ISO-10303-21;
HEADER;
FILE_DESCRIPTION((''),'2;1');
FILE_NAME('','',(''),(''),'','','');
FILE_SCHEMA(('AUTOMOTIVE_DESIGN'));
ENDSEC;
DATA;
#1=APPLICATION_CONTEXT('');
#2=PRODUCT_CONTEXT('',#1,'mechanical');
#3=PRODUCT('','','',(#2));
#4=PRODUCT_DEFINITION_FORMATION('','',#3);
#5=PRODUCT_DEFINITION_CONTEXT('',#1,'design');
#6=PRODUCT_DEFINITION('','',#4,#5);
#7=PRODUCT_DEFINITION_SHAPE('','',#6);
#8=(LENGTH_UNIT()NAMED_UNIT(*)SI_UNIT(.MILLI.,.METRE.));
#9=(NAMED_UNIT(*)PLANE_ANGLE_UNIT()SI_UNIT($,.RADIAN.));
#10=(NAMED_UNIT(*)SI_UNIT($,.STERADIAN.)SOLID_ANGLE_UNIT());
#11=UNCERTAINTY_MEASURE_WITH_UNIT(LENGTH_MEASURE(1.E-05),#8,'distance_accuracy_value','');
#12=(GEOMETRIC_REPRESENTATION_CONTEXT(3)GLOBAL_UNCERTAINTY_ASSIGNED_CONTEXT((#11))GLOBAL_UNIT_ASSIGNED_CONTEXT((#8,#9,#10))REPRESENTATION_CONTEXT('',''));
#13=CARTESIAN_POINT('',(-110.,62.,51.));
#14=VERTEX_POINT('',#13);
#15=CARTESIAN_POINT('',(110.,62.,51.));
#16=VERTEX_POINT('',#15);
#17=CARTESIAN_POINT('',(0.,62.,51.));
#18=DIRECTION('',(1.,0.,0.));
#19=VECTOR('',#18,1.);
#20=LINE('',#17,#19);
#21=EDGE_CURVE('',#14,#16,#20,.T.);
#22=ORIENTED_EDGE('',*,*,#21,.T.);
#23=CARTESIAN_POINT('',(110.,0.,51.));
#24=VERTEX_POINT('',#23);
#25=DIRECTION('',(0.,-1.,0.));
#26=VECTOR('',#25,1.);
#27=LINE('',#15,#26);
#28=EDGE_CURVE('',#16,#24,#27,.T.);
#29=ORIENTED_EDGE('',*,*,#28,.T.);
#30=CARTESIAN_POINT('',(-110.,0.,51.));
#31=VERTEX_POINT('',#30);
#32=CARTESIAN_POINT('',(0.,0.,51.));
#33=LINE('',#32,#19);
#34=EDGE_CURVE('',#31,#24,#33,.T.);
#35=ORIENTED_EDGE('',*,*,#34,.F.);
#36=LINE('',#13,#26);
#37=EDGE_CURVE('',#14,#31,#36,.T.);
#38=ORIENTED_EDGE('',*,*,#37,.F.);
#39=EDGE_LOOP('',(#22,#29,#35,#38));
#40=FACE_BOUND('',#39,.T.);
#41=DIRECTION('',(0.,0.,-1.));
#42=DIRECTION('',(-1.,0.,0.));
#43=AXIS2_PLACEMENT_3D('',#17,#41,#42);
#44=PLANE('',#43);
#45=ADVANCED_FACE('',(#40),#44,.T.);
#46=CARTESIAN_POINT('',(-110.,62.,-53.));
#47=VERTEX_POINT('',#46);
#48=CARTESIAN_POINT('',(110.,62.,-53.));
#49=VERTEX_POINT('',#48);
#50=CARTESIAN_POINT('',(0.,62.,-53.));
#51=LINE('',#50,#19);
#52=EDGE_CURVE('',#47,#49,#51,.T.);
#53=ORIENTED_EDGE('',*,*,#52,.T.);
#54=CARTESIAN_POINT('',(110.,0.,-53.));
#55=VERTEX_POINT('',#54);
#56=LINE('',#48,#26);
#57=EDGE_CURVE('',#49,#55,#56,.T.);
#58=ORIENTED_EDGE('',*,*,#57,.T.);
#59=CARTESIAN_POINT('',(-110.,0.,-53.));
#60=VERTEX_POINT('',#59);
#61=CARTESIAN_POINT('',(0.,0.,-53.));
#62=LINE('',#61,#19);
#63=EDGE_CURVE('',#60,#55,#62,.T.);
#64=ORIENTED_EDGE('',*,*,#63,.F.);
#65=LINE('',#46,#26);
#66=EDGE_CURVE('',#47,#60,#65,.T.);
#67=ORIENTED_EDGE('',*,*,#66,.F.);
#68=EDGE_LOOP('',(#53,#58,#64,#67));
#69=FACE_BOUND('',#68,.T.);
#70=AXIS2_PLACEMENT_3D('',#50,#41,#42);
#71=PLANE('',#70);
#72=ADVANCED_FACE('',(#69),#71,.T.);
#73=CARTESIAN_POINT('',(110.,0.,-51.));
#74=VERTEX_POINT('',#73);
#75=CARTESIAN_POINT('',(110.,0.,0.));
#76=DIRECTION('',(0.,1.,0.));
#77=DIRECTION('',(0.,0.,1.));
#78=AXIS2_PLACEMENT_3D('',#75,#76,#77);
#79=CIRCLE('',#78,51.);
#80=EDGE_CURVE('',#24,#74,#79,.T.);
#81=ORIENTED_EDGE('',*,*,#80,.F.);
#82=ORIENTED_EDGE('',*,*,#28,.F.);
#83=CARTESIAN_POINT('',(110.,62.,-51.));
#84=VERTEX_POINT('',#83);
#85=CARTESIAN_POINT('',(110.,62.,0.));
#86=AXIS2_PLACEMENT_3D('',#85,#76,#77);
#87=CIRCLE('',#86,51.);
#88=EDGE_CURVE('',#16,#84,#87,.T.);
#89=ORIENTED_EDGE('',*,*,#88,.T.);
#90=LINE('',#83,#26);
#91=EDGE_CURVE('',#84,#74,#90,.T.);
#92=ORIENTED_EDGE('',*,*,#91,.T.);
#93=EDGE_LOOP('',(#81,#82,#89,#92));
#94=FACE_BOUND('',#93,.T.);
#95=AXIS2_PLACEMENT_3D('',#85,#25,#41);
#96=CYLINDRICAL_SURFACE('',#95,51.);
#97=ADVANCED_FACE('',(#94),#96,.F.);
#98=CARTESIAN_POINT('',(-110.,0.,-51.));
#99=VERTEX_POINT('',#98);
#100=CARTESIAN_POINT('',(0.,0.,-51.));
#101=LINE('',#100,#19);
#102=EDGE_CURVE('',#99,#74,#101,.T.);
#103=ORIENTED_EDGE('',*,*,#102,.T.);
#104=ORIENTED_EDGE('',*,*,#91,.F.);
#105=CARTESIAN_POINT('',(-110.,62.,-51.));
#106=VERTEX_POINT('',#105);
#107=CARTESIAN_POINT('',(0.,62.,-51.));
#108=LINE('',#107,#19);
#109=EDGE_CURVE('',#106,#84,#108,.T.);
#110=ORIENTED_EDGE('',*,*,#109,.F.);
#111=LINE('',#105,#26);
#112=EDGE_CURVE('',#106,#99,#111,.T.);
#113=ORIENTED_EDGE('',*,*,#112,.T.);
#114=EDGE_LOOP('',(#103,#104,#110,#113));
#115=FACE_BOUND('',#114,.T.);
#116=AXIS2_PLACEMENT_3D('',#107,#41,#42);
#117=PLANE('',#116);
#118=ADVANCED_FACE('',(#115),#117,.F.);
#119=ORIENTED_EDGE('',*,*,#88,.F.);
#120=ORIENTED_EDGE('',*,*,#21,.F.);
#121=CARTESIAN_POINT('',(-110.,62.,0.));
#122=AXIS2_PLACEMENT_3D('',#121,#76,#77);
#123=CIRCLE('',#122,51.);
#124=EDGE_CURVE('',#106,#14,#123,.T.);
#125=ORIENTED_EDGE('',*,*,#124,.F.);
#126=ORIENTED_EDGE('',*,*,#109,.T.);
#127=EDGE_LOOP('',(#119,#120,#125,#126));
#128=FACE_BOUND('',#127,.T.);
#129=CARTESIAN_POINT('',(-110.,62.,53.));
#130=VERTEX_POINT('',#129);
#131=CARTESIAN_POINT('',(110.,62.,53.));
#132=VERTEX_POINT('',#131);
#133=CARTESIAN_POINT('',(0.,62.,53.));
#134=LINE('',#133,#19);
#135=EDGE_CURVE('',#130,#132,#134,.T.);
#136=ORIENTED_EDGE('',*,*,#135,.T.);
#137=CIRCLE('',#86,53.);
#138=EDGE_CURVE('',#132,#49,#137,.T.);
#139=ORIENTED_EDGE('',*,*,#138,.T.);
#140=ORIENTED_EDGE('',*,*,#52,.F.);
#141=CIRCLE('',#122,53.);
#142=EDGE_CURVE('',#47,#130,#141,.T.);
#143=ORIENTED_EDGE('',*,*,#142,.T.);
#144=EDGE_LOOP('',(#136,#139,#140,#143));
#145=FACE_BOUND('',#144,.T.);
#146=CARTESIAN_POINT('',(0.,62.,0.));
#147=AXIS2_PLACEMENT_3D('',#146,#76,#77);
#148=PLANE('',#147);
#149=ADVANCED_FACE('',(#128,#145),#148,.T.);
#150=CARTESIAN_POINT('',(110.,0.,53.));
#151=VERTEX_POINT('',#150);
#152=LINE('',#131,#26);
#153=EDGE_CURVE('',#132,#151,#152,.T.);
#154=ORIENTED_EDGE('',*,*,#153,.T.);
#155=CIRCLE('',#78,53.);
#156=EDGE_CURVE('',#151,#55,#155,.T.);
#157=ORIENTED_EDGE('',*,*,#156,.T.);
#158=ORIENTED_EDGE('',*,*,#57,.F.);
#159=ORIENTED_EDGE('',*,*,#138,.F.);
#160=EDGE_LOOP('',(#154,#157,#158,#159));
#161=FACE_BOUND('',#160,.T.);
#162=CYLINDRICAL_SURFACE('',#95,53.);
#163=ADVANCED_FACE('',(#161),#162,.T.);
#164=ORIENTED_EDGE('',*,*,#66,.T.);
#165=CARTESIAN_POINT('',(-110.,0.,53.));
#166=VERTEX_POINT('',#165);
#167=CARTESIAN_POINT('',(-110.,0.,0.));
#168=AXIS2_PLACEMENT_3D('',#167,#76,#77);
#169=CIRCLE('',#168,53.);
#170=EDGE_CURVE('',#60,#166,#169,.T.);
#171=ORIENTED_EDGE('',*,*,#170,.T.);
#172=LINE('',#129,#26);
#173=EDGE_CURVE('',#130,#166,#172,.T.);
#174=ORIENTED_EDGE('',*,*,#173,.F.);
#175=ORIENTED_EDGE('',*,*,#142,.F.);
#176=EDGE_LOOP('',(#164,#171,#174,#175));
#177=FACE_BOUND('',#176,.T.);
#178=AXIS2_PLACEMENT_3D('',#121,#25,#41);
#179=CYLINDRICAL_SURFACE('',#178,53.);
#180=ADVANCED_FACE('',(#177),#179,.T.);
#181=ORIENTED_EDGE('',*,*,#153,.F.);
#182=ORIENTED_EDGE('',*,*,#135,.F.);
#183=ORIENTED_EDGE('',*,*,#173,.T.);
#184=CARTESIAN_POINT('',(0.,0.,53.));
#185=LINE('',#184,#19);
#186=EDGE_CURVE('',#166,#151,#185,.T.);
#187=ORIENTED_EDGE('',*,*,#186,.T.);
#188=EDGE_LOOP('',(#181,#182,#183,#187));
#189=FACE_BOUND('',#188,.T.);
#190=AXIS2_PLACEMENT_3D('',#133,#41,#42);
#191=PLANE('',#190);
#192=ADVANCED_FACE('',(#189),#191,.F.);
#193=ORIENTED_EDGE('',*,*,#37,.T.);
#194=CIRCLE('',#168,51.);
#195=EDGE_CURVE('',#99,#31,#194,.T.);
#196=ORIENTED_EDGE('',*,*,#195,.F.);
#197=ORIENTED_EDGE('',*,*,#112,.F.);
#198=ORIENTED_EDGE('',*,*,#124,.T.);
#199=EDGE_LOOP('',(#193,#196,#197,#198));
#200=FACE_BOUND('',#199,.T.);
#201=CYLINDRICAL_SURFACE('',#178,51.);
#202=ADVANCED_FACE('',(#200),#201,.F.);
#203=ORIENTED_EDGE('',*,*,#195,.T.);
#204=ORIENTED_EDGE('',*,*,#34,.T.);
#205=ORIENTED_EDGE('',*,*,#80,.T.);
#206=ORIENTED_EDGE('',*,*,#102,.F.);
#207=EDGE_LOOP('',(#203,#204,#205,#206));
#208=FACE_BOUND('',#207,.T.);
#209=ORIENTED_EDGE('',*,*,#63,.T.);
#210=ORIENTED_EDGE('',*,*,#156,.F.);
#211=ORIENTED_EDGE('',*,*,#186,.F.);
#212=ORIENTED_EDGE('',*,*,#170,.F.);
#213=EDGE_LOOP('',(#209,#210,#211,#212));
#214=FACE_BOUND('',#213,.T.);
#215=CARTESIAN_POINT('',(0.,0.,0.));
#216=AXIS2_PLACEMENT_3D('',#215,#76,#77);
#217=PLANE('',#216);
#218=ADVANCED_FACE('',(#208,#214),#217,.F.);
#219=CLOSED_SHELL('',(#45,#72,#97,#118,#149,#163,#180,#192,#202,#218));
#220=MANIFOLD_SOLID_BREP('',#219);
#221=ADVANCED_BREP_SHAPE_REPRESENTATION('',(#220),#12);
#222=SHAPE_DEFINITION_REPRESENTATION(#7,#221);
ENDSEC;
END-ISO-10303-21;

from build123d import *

# Parameters (mm, degrees)
BOSS_EXTRUDE1_DEPTH = 62


with BuildPart() as part:
    # Sketch1 → Boss-Extrude1 (new body)
    with BuildSketch(Plane(origin=(0, 0, 0), x_dir=(1, 0, 0), z_dir=(0, 1, 0))):
        with BuildLine():
            Line((-110, -53), (110, -53))
            ThreePointArc((110, -53), (163, 0), (110, 53))
            Line((110, 53), (-110, 53))
            ThreePointArc((-110, 53), (-163, 0), (-110, -53))
        make_face()
        with BuildLine():
            Line((-110, 51), (110, 51))
            ThreePointArc((110, 51), (161, 0), (110, -51))
            Line((110, -51), (-110, -51))
            ThreePointArc((-110, -51), (-161, 0), (-110, 51))
        make_face(mode=Mode.SUBTRACT)
    extrude(amount=BOSS_EXTRUDE1_DEPTH)


solid = part.part
